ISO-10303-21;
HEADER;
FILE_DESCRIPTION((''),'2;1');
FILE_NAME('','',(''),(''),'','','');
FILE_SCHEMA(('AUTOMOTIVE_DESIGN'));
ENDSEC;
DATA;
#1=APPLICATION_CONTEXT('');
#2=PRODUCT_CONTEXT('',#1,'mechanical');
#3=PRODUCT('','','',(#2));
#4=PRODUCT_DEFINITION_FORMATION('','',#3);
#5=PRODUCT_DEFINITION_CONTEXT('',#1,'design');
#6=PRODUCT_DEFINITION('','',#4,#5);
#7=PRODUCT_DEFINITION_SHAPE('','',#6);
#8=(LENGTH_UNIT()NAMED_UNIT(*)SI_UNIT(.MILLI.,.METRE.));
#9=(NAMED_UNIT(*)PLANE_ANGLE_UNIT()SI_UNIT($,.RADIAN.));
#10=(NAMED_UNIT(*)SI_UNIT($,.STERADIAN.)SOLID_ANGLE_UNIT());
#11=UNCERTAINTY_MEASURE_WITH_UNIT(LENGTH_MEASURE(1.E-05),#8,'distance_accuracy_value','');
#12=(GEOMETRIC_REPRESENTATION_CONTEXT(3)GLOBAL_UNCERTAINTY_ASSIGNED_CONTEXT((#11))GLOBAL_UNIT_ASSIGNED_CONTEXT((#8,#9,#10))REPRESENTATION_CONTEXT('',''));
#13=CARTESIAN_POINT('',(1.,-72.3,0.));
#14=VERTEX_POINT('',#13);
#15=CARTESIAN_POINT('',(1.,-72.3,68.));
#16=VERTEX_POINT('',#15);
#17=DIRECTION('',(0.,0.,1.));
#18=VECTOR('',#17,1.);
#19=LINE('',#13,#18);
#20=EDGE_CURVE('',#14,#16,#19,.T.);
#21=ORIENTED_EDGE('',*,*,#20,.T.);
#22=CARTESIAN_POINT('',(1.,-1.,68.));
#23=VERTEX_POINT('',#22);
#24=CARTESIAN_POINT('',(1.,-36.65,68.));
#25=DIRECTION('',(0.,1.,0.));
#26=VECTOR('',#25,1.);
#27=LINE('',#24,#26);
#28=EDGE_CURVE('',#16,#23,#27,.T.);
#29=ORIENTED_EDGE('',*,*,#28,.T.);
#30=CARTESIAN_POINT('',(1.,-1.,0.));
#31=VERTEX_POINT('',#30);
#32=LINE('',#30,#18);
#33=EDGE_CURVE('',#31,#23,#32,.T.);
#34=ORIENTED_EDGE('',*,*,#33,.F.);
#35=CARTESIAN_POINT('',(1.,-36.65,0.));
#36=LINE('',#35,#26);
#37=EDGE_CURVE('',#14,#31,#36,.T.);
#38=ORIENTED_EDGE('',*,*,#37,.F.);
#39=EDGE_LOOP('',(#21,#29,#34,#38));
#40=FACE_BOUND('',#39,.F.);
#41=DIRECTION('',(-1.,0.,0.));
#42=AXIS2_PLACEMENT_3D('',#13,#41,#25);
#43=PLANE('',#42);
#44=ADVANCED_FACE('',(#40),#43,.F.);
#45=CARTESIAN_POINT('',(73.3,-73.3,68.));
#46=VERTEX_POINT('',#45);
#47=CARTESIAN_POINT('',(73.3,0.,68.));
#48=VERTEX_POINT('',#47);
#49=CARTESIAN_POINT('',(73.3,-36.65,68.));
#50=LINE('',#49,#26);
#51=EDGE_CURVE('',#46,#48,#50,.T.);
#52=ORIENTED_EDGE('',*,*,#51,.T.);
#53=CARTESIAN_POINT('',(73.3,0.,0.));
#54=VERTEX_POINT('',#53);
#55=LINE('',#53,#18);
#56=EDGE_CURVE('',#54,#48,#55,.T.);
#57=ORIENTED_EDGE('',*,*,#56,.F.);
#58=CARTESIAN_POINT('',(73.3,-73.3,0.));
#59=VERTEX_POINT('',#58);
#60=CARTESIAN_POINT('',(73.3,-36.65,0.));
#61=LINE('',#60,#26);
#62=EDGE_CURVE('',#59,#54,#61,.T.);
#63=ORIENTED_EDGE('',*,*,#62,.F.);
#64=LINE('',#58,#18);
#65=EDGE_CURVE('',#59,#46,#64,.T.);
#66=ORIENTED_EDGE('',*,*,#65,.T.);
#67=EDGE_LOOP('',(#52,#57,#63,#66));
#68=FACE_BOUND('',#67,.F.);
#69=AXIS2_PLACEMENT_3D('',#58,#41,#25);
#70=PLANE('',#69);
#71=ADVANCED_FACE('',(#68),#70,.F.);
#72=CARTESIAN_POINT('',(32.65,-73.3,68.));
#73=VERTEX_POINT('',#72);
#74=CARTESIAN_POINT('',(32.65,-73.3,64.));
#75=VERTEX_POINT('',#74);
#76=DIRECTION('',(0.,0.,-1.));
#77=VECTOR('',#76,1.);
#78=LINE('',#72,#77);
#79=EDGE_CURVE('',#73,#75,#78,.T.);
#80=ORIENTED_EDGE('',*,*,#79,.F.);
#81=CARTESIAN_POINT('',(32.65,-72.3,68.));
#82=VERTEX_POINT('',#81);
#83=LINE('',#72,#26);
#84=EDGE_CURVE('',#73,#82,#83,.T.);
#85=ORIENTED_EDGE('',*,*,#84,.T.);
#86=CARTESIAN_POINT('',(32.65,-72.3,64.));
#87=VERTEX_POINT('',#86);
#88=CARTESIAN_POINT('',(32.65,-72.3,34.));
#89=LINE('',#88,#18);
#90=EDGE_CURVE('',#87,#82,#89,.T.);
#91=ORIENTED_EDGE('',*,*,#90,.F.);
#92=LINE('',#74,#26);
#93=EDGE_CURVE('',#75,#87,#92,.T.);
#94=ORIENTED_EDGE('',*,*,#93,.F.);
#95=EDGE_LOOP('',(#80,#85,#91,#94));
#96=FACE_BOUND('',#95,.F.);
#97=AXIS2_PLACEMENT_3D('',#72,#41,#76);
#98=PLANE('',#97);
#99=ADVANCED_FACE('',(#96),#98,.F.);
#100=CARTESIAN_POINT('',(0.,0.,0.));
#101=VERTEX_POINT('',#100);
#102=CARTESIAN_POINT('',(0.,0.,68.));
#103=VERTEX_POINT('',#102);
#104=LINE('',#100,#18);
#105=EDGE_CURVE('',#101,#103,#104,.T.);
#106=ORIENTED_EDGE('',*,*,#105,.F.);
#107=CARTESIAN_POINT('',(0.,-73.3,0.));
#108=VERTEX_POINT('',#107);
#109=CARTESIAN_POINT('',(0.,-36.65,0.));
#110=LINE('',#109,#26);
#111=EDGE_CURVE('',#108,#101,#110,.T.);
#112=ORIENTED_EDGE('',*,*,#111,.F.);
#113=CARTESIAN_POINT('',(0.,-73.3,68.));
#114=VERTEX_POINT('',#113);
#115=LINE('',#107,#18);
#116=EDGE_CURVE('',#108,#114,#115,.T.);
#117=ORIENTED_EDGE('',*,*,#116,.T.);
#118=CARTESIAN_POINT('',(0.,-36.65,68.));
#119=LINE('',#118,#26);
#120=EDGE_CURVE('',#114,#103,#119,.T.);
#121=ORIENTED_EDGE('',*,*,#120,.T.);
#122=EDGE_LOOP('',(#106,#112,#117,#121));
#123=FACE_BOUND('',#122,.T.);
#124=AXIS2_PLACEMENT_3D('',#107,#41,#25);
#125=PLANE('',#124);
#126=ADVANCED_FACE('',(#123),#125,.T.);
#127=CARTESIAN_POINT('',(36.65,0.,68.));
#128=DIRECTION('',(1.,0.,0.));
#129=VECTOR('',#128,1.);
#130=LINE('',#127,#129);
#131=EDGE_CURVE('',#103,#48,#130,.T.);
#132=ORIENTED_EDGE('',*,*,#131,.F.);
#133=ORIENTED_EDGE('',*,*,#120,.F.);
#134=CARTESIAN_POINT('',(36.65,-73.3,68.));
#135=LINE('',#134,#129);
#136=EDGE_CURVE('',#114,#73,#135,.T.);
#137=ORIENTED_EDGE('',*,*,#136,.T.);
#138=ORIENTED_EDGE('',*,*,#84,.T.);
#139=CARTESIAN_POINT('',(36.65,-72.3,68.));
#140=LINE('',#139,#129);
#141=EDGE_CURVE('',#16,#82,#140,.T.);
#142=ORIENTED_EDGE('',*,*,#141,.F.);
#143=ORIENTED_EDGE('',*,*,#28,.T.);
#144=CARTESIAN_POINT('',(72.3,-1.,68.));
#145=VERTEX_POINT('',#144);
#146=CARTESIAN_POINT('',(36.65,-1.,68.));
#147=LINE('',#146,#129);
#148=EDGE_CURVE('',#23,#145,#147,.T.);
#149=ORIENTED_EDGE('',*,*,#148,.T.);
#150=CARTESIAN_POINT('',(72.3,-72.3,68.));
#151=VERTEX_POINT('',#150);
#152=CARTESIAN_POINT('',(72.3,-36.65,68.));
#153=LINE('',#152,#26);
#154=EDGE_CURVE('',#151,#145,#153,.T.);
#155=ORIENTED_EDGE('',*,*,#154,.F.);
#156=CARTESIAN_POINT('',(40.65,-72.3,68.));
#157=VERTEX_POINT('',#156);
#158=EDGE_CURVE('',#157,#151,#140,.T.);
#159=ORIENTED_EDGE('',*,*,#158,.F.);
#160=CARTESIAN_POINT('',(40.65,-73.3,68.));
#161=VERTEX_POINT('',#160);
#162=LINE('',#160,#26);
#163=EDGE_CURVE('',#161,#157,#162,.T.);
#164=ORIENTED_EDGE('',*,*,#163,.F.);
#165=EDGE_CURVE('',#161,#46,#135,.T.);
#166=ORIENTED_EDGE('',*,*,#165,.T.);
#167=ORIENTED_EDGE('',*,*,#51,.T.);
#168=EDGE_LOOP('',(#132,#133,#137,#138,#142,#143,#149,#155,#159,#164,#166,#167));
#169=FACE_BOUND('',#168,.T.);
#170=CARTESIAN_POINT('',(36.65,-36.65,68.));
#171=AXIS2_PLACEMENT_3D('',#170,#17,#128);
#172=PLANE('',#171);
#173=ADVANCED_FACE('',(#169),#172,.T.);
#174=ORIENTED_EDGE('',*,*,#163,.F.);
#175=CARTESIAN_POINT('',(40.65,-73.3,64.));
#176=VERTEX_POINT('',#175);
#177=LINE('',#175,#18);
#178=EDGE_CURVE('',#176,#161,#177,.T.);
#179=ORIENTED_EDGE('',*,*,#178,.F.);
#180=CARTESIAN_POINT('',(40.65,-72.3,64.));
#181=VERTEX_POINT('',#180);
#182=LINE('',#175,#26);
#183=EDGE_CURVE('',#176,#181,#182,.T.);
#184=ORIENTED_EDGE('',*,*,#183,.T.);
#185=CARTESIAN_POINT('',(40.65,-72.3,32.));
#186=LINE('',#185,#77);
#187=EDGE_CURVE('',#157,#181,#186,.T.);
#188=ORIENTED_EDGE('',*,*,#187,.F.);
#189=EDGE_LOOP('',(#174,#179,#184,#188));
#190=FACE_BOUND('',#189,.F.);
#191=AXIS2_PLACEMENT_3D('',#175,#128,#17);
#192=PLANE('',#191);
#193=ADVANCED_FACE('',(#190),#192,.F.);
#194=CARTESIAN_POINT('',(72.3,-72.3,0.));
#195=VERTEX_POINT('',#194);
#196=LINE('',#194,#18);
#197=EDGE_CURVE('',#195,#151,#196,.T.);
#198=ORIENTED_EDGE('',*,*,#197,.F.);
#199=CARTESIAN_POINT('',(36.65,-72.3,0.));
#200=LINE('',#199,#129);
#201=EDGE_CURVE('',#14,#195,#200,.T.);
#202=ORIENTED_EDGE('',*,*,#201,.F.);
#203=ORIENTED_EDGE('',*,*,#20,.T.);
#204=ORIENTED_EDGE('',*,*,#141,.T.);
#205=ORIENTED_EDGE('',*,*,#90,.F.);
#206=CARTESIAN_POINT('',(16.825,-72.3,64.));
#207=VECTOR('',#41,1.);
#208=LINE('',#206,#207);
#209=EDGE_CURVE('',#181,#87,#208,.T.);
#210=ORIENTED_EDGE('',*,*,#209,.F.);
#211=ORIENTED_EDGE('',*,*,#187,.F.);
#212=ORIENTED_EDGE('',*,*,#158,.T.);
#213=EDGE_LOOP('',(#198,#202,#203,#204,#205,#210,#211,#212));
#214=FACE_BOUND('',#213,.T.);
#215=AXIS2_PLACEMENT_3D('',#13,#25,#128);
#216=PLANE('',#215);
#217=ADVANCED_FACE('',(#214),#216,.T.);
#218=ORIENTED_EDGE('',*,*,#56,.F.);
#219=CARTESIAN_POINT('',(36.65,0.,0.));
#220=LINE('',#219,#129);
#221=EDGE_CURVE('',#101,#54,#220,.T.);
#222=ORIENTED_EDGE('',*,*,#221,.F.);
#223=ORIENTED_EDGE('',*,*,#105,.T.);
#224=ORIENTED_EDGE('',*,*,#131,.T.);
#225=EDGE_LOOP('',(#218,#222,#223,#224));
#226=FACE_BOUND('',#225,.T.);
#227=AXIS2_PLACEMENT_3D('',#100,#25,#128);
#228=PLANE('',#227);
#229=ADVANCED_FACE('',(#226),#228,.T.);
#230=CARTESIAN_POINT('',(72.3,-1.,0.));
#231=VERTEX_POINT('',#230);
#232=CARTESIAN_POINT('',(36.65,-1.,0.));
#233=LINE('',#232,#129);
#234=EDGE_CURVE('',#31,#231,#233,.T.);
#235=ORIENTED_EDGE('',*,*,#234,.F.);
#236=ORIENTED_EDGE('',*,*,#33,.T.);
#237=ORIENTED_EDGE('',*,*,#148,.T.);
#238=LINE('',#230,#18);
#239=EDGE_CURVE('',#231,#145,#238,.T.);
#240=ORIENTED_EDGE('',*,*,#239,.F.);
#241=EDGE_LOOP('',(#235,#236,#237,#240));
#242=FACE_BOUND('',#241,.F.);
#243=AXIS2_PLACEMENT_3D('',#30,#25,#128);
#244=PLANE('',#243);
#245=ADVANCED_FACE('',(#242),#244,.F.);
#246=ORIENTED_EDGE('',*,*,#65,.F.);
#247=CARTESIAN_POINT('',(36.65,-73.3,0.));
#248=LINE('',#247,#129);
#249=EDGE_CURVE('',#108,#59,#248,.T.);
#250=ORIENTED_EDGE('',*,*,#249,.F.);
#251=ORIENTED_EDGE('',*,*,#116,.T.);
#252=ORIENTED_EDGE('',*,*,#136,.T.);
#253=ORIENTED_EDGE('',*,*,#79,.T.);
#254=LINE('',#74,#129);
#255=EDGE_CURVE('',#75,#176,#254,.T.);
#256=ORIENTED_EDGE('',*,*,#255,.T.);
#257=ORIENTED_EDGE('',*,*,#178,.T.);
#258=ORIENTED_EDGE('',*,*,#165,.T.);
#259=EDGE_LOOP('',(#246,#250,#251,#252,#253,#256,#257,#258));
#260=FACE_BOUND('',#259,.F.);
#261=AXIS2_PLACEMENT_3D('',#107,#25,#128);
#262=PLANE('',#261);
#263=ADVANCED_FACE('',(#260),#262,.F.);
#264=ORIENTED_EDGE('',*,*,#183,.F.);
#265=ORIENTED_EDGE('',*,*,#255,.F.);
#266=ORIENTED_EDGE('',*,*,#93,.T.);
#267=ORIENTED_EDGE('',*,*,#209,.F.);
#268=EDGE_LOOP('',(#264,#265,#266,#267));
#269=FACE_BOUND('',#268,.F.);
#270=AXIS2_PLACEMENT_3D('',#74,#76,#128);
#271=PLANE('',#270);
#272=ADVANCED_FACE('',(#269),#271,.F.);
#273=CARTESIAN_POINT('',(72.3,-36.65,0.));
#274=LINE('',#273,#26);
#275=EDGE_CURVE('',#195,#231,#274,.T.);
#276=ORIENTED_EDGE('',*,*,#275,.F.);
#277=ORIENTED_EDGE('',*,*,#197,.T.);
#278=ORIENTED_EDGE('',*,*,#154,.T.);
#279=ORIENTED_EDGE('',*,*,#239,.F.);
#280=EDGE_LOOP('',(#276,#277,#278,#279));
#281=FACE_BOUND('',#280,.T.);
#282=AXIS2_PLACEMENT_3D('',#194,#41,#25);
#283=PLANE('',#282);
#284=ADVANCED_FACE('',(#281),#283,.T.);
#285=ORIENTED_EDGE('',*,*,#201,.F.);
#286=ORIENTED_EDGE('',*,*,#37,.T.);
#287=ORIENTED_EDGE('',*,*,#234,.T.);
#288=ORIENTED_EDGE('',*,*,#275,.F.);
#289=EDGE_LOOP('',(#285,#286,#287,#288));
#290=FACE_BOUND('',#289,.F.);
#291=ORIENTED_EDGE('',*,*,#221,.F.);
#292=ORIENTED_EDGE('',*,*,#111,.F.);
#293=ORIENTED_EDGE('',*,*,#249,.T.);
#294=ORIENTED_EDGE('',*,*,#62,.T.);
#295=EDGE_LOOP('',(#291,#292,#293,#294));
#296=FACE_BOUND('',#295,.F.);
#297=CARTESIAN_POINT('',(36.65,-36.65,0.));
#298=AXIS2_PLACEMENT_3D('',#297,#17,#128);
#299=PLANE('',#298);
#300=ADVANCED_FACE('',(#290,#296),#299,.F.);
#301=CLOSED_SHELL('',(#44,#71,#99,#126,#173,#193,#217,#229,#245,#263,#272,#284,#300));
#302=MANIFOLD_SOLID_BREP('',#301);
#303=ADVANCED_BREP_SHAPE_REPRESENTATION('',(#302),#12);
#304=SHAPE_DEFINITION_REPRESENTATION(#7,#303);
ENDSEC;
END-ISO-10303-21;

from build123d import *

# Parameters (mm, degrees)
F0_W     = 73.3
F0_H     = 73.3
F0_W_2   = 71.3
F0_H_2   = 71.3
F1_DEPTH = 68
F3_DEPTH = 5


with BuildPart() as f1:
    # F0 (on Top) → F1 (new body)
    with BuildSketch(Plane.XY):
        with Locations((36.65, -36.65)):
            Rectangle(F0_W, F0_H)
        with Locations((36.65, -36.65)):
            Rectangle(F0_W_2, F0_H_2, mode=Mode.SUBTRACT)
    extrude(amount=F1_DEPTH)

    # F2 (on face) → F3 (cut)
    with BuildSketch(Plane.XZ.offset(73.3)):
        Polygon((32.65, 64), (36.65, 64), (40.65, 64), (40.65, 68), (32.65, 68), align=None)
    extrude(amount=-F3_DEPTH, mode=Mode.SUBTRACT)


solid = f1.part
